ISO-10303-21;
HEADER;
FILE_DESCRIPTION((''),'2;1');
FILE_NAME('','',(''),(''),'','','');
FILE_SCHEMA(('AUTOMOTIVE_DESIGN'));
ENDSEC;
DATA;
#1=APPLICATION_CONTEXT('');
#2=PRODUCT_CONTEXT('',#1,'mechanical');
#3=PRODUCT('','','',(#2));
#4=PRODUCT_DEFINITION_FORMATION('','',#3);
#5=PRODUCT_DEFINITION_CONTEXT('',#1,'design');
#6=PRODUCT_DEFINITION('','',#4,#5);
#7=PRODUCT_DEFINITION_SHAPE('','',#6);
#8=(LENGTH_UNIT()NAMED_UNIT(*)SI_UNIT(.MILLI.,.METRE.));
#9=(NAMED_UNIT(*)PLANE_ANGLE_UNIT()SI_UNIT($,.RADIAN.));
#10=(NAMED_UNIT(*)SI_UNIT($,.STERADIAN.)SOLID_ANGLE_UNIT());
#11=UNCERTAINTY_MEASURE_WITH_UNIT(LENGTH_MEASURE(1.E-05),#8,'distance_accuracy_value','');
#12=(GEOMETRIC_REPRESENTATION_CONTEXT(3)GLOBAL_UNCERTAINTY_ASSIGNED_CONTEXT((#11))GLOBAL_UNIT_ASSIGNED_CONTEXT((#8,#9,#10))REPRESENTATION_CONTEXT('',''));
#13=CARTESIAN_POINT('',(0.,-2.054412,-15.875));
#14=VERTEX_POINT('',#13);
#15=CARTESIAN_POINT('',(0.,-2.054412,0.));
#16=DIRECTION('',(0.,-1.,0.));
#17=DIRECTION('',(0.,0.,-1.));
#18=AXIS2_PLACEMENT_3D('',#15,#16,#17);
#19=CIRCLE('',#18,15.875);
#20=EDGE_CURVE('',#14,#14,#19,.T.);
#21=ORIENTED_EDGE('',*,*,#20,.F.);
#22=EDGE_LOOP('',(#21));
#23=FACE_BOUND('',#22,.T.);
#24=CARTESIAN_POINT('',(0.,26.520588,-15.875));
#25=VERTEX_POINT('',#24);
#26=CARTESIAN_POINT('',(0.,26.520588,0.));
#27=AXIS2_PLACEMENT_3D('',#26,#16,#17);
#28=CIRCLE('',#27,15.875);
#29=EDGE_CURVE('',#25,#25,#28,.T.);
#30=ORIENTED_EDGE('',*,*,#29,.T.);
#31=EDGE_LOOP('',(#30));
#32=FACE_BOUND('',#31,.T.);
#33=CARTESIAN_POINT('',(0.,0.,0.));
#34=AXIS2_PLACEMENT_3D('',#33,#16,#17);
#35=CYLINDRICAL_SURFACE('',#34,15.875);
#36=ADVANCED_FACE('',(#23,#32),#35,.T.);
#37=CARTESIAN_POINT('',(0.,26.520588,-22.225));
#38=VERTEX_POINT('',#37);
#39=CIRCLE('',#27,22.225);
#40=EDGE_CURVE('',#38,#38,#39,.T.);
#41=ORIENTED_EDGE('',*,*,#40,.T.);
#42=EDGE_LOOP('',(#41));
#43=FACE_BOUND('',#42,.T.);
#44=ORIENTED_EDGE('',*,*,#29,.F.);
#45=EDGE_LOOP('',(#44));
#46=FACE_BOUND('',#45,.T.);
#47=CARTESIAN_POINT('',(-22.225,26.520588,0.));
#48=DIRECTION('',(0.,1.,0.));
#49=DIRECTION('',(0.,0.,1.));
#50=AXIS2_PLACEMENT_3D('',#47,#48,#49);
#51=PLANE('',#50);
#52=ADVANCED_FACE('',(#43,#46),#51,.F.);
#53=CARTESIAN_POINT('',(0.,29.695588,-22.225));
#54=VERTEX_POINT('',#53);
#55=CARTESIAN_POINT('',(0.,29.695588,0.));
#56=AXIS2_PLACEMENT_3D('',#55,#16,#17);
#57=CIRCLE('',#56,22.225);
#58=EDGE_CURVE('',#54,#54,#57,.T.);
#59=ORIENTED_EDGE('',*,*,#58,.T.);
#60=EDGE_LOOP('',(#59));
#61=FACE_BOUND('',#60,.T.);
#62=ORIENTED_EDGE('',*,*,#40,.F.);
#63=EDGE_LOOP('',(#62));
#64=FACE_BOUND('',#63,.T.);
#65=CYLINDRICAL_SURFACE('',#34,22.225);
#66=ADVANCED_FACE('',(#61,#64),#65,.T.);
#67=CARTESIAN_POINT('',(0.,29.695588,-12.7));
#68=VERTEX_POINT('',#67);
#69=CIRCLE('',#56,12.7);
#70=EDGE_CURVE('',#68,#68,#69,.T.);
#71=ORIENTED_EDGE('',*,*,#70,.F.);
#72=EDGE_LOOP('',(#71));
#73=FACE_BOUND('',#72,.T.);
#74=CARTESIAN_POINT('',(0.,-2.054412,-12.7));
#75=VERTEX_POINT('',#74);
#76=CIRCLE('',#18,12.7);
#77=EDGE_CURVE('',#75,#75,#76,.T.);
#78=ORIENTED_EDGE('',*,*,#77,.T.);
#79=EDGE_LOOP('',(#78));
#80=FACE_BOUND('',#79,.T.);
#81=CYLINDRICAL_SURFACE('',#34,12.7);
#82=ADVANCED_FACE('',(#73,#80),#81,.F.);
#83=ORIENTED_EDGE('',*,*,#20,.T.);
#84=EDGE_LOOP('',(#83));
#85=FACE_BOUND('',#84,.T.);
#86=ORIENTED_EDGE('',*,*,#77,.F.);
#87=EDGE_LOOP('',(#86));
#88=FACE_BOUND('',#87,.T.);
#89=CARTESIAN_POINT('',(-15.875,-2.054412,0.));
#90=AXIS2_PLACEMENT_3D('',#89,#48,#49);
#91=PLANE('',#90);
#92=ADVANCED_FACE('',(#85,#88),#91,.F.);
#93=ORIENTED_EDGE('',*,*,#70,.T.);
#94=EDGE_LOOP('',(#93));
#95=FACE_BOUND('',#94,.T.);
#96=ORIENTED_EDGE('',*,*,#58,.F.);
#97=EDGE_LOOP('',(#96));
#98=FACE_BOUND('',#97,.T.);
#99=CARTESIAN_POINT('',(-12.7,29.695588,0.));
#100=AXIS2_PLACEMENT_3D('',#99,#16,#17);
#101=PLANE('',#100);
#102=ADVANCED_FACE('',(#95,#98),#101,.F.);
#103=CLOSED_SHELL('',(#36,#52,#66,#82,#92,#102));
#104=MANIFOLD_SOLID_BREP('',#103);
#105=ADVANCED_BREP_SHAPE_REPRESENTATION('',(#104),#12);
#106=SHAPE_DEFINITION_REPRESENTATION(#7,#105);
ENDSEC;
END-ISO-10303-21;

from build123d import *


with BuildPart() as part:
    # Sketch1 → Revolve1 (revolve)
    with BuildSketch(Plane.XY, mode=Mode.PRIVATE) as revolve1_sk:
        Polygon((-12.7, -2.054411765), (-12.7, 29.695588235), (-22.225, 29.695588235), (-22.225, 26.520588235), (-15.875, 26.520588235), (-15.875, -2.054411765), align=None)
    revolve(revolve1_sk.sketch.rotate(Axis((0, 0, 0), (0, 1, 0)), 270), axis=Axis((0, 0, 0), (0, 1, 0)))


solid = part.part
